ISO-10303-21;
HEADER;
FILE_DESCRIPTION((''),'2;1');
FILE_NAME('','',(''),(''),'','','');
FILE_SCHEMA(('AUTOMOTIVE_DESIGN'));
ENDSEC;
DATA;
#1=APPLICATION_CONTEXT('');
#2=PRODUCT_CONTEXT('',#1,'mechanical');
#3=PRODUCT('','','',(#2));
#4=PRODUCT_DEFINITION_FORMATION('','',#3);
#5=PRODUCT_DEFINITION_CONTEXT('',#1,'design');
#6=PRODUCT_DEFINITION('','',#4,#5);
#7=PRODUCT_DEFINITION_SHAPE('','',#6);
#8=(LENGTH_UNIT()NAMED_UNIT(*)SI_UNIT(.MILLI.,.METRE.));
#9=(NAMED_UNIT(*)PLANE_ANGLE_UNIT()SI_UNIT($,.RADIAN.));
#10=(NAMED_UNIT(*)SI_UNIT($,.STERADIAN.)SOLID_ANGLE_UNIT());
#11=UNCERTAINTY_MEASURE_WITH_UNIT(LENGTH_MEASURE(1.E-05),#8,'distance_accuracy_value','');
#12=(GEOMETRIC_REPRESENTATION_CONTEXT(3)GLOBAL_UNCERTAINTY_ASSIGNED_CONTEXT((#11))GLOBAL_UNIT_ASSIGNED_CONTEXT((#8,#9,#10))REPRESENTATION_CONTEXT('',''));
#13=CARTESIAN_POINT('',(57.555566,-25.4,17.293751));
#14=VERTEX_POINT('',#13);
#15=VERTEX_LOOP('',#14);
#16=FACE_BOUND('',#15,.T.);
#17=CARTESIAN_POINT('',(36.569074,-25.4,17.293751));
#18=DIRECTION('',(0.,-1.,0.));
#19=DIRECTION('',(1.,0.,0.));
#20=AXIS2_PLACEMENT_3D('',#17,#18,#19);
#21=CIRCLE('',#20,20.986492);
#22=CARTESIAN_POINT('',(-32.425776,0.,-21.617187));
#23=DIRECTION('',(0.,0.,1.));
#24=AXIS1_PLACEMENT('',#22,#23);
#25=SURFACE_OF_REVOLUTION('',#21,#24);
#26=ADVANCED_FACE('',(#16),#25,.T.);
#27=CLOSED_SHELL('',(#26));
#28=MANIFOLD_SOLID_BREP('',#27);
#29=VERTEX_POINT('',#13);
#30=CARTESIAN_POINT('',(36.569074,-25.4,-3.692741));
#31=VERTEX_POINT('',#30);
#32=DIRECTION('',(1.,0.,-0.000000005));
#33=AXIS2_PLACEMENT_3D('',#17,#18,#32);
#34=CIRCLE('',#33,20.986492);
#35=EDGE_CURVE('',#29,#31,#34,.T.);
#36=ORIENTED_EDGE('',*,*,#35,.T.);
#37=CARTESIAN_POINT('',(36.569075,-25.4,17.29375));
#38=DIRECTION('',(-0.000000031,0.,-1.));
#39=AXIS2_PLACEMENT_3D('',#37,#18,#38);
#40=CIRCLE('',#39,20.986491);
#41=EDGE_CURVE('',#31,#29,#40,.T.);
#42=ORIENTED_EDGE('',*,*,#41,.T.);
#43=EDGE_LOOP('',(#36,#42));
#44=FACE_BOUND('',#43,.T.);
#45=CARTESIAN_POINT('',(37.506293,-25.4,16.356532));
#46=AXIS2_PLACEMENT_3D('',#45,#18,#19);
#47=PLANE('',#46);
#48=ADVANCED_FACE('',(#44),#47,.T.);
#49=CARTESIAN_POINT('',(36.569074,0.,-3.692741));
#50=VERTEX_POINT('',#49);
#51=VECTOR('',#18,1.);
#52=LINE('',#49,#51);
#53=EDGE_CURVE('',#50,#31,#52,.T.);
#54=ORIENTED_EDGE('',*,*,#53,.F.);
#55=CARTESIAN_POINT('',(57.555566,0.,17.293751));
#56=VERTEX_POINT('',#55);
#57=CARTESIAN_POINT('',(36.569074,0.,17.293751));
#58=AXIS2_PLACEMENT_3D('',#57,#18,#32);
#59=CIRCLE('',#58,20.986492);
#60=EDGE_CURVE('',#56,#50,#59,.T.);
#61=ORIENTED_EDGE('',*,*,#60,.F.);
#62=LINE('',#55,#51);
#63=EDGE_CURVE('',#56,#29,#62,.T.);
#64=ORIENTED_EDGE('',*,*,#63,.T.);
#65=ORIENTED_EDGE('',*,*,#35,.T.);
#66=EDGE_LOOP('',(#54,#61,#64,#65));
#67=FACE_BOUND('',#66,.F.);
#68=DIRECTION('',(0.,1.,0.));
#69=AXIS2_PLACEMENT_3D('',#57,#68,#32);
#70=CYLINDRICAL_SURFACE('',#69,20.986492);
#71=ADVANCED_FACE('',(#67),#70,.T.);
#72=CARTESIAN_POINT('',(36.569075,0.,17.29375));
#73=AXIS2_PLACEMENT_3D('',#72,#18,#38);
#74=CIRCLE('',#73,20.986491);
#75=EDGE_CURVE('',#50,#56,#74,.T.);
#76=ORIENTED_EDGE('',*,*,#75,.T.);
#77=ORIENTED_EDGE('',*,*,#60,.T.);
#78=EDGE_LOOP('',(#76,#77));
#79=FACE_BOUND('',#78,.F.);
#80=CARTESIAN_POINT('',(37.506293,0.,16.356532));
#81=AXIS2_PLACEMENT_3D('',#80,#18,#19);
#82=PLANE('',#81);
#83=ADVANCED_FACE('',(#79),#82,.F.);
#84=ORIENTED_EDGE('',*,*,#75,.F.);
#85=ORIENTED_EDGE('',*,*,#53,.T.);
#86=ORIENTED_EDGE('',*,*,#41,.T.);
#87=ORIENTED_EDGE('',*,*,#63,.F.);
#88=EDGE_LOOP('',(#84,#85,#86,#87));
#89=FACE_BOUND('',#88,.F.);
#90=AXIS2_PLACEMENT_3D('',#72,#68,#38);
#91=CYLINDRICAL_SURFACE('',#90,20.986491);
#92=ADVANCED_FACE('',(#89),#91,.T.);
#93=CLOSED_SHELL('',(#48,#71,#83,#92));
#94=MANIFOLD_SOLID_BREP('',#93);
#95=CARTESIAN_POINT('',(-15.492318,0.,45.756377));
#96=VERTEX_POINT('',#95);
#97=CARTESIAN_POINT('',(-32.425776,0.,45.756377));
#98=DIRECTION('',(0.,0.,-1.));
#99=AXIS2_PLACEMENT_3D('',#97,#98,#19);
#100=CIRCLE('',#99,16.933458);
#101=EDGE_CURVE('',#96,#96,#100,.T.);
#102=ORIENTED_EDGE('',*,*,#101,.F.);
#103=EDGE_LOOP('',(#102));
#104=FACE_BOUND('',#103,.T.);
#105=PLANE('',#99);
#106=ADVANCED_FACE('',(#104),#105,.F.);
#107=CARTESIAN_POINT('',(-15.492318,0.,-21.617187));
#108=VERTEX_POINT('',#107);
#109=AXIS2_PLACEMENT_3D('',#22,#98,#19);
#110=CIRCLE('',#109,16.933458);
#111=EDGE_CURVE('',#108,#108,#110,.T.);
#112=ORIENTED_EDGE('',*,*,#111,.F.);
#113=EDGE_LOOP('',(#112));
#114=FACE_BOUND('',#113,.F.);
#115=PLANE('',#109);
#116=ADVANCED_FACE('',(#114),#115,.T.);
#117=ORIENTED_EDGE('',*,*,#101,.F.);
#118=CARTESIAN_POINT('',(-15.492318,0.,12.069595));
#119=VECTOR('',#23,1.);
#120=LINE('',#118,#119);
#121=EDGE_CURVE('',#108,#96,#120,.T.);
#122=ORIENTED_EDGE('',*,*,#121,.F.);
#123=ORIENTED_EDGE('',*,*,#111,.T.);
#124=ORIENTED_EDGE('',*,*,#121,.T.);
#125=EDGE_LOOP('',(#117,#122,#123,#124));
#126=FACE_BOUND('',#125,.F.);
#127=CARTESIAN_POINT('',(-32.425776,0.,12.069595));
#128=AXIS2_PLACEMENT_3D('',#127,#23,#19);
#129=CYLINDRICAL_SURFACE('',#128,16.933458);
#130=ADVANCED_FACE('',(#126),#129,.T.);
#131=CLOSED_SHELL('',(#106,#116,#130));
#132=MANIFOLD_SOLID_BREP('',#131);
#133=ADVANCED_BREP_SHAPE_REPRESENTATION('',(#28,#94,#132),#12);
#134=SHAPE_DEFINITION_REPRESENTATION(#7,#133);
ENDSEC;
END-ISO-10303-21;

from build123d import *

# Parameters (mm, degrees)
F0_W      = 16.933458
F0_H      = 67.373564
F2_DEPTH  = 25.4
F2_FACE_R = 20.986492


with BuildPart() as f1:
    # F0 (on Front) → F1 (revolve)
    with BuildSketch(Plane.XZ):
        with Locations((-23.959047, 12.069595)):
            Rectangle(F0_W, F0_H)
    revolve(axis=Axis((-32.425776, 0, 12.069595), (0, 0, -1)))


with BuildPart() as f2:
    # F0 (on Front) → F2 (new body)
    with BuildSketch(Plane.XZ):
        with BuildLine():
            ThreePointArc((36.569074, -3.692741), (51.408765, 2.45406), (57.555566, 17.293751))
            ThreePointArc((57.555566, 17.293751), (21.729383, 32.133442), (36.569074, -3.692741))
        make_face()
    extrude(amount=F2_DEPTH)


with BuildPart() as f3:
    # F2_face (on face) → F3 (revolve)
    with BuildSketch(Plane(origin=(36.569074, -25.4, 17.293751), x_dir=(1, 0, 0), z_dir=(0, -1, 0))):
        Circle(F2_FACE_R)
    revolve(axis=Axis((-32.425776, 0, -21.617187), (0, 0, 1)))


solid = Compound([f1.part, f2.part, f3.part])
